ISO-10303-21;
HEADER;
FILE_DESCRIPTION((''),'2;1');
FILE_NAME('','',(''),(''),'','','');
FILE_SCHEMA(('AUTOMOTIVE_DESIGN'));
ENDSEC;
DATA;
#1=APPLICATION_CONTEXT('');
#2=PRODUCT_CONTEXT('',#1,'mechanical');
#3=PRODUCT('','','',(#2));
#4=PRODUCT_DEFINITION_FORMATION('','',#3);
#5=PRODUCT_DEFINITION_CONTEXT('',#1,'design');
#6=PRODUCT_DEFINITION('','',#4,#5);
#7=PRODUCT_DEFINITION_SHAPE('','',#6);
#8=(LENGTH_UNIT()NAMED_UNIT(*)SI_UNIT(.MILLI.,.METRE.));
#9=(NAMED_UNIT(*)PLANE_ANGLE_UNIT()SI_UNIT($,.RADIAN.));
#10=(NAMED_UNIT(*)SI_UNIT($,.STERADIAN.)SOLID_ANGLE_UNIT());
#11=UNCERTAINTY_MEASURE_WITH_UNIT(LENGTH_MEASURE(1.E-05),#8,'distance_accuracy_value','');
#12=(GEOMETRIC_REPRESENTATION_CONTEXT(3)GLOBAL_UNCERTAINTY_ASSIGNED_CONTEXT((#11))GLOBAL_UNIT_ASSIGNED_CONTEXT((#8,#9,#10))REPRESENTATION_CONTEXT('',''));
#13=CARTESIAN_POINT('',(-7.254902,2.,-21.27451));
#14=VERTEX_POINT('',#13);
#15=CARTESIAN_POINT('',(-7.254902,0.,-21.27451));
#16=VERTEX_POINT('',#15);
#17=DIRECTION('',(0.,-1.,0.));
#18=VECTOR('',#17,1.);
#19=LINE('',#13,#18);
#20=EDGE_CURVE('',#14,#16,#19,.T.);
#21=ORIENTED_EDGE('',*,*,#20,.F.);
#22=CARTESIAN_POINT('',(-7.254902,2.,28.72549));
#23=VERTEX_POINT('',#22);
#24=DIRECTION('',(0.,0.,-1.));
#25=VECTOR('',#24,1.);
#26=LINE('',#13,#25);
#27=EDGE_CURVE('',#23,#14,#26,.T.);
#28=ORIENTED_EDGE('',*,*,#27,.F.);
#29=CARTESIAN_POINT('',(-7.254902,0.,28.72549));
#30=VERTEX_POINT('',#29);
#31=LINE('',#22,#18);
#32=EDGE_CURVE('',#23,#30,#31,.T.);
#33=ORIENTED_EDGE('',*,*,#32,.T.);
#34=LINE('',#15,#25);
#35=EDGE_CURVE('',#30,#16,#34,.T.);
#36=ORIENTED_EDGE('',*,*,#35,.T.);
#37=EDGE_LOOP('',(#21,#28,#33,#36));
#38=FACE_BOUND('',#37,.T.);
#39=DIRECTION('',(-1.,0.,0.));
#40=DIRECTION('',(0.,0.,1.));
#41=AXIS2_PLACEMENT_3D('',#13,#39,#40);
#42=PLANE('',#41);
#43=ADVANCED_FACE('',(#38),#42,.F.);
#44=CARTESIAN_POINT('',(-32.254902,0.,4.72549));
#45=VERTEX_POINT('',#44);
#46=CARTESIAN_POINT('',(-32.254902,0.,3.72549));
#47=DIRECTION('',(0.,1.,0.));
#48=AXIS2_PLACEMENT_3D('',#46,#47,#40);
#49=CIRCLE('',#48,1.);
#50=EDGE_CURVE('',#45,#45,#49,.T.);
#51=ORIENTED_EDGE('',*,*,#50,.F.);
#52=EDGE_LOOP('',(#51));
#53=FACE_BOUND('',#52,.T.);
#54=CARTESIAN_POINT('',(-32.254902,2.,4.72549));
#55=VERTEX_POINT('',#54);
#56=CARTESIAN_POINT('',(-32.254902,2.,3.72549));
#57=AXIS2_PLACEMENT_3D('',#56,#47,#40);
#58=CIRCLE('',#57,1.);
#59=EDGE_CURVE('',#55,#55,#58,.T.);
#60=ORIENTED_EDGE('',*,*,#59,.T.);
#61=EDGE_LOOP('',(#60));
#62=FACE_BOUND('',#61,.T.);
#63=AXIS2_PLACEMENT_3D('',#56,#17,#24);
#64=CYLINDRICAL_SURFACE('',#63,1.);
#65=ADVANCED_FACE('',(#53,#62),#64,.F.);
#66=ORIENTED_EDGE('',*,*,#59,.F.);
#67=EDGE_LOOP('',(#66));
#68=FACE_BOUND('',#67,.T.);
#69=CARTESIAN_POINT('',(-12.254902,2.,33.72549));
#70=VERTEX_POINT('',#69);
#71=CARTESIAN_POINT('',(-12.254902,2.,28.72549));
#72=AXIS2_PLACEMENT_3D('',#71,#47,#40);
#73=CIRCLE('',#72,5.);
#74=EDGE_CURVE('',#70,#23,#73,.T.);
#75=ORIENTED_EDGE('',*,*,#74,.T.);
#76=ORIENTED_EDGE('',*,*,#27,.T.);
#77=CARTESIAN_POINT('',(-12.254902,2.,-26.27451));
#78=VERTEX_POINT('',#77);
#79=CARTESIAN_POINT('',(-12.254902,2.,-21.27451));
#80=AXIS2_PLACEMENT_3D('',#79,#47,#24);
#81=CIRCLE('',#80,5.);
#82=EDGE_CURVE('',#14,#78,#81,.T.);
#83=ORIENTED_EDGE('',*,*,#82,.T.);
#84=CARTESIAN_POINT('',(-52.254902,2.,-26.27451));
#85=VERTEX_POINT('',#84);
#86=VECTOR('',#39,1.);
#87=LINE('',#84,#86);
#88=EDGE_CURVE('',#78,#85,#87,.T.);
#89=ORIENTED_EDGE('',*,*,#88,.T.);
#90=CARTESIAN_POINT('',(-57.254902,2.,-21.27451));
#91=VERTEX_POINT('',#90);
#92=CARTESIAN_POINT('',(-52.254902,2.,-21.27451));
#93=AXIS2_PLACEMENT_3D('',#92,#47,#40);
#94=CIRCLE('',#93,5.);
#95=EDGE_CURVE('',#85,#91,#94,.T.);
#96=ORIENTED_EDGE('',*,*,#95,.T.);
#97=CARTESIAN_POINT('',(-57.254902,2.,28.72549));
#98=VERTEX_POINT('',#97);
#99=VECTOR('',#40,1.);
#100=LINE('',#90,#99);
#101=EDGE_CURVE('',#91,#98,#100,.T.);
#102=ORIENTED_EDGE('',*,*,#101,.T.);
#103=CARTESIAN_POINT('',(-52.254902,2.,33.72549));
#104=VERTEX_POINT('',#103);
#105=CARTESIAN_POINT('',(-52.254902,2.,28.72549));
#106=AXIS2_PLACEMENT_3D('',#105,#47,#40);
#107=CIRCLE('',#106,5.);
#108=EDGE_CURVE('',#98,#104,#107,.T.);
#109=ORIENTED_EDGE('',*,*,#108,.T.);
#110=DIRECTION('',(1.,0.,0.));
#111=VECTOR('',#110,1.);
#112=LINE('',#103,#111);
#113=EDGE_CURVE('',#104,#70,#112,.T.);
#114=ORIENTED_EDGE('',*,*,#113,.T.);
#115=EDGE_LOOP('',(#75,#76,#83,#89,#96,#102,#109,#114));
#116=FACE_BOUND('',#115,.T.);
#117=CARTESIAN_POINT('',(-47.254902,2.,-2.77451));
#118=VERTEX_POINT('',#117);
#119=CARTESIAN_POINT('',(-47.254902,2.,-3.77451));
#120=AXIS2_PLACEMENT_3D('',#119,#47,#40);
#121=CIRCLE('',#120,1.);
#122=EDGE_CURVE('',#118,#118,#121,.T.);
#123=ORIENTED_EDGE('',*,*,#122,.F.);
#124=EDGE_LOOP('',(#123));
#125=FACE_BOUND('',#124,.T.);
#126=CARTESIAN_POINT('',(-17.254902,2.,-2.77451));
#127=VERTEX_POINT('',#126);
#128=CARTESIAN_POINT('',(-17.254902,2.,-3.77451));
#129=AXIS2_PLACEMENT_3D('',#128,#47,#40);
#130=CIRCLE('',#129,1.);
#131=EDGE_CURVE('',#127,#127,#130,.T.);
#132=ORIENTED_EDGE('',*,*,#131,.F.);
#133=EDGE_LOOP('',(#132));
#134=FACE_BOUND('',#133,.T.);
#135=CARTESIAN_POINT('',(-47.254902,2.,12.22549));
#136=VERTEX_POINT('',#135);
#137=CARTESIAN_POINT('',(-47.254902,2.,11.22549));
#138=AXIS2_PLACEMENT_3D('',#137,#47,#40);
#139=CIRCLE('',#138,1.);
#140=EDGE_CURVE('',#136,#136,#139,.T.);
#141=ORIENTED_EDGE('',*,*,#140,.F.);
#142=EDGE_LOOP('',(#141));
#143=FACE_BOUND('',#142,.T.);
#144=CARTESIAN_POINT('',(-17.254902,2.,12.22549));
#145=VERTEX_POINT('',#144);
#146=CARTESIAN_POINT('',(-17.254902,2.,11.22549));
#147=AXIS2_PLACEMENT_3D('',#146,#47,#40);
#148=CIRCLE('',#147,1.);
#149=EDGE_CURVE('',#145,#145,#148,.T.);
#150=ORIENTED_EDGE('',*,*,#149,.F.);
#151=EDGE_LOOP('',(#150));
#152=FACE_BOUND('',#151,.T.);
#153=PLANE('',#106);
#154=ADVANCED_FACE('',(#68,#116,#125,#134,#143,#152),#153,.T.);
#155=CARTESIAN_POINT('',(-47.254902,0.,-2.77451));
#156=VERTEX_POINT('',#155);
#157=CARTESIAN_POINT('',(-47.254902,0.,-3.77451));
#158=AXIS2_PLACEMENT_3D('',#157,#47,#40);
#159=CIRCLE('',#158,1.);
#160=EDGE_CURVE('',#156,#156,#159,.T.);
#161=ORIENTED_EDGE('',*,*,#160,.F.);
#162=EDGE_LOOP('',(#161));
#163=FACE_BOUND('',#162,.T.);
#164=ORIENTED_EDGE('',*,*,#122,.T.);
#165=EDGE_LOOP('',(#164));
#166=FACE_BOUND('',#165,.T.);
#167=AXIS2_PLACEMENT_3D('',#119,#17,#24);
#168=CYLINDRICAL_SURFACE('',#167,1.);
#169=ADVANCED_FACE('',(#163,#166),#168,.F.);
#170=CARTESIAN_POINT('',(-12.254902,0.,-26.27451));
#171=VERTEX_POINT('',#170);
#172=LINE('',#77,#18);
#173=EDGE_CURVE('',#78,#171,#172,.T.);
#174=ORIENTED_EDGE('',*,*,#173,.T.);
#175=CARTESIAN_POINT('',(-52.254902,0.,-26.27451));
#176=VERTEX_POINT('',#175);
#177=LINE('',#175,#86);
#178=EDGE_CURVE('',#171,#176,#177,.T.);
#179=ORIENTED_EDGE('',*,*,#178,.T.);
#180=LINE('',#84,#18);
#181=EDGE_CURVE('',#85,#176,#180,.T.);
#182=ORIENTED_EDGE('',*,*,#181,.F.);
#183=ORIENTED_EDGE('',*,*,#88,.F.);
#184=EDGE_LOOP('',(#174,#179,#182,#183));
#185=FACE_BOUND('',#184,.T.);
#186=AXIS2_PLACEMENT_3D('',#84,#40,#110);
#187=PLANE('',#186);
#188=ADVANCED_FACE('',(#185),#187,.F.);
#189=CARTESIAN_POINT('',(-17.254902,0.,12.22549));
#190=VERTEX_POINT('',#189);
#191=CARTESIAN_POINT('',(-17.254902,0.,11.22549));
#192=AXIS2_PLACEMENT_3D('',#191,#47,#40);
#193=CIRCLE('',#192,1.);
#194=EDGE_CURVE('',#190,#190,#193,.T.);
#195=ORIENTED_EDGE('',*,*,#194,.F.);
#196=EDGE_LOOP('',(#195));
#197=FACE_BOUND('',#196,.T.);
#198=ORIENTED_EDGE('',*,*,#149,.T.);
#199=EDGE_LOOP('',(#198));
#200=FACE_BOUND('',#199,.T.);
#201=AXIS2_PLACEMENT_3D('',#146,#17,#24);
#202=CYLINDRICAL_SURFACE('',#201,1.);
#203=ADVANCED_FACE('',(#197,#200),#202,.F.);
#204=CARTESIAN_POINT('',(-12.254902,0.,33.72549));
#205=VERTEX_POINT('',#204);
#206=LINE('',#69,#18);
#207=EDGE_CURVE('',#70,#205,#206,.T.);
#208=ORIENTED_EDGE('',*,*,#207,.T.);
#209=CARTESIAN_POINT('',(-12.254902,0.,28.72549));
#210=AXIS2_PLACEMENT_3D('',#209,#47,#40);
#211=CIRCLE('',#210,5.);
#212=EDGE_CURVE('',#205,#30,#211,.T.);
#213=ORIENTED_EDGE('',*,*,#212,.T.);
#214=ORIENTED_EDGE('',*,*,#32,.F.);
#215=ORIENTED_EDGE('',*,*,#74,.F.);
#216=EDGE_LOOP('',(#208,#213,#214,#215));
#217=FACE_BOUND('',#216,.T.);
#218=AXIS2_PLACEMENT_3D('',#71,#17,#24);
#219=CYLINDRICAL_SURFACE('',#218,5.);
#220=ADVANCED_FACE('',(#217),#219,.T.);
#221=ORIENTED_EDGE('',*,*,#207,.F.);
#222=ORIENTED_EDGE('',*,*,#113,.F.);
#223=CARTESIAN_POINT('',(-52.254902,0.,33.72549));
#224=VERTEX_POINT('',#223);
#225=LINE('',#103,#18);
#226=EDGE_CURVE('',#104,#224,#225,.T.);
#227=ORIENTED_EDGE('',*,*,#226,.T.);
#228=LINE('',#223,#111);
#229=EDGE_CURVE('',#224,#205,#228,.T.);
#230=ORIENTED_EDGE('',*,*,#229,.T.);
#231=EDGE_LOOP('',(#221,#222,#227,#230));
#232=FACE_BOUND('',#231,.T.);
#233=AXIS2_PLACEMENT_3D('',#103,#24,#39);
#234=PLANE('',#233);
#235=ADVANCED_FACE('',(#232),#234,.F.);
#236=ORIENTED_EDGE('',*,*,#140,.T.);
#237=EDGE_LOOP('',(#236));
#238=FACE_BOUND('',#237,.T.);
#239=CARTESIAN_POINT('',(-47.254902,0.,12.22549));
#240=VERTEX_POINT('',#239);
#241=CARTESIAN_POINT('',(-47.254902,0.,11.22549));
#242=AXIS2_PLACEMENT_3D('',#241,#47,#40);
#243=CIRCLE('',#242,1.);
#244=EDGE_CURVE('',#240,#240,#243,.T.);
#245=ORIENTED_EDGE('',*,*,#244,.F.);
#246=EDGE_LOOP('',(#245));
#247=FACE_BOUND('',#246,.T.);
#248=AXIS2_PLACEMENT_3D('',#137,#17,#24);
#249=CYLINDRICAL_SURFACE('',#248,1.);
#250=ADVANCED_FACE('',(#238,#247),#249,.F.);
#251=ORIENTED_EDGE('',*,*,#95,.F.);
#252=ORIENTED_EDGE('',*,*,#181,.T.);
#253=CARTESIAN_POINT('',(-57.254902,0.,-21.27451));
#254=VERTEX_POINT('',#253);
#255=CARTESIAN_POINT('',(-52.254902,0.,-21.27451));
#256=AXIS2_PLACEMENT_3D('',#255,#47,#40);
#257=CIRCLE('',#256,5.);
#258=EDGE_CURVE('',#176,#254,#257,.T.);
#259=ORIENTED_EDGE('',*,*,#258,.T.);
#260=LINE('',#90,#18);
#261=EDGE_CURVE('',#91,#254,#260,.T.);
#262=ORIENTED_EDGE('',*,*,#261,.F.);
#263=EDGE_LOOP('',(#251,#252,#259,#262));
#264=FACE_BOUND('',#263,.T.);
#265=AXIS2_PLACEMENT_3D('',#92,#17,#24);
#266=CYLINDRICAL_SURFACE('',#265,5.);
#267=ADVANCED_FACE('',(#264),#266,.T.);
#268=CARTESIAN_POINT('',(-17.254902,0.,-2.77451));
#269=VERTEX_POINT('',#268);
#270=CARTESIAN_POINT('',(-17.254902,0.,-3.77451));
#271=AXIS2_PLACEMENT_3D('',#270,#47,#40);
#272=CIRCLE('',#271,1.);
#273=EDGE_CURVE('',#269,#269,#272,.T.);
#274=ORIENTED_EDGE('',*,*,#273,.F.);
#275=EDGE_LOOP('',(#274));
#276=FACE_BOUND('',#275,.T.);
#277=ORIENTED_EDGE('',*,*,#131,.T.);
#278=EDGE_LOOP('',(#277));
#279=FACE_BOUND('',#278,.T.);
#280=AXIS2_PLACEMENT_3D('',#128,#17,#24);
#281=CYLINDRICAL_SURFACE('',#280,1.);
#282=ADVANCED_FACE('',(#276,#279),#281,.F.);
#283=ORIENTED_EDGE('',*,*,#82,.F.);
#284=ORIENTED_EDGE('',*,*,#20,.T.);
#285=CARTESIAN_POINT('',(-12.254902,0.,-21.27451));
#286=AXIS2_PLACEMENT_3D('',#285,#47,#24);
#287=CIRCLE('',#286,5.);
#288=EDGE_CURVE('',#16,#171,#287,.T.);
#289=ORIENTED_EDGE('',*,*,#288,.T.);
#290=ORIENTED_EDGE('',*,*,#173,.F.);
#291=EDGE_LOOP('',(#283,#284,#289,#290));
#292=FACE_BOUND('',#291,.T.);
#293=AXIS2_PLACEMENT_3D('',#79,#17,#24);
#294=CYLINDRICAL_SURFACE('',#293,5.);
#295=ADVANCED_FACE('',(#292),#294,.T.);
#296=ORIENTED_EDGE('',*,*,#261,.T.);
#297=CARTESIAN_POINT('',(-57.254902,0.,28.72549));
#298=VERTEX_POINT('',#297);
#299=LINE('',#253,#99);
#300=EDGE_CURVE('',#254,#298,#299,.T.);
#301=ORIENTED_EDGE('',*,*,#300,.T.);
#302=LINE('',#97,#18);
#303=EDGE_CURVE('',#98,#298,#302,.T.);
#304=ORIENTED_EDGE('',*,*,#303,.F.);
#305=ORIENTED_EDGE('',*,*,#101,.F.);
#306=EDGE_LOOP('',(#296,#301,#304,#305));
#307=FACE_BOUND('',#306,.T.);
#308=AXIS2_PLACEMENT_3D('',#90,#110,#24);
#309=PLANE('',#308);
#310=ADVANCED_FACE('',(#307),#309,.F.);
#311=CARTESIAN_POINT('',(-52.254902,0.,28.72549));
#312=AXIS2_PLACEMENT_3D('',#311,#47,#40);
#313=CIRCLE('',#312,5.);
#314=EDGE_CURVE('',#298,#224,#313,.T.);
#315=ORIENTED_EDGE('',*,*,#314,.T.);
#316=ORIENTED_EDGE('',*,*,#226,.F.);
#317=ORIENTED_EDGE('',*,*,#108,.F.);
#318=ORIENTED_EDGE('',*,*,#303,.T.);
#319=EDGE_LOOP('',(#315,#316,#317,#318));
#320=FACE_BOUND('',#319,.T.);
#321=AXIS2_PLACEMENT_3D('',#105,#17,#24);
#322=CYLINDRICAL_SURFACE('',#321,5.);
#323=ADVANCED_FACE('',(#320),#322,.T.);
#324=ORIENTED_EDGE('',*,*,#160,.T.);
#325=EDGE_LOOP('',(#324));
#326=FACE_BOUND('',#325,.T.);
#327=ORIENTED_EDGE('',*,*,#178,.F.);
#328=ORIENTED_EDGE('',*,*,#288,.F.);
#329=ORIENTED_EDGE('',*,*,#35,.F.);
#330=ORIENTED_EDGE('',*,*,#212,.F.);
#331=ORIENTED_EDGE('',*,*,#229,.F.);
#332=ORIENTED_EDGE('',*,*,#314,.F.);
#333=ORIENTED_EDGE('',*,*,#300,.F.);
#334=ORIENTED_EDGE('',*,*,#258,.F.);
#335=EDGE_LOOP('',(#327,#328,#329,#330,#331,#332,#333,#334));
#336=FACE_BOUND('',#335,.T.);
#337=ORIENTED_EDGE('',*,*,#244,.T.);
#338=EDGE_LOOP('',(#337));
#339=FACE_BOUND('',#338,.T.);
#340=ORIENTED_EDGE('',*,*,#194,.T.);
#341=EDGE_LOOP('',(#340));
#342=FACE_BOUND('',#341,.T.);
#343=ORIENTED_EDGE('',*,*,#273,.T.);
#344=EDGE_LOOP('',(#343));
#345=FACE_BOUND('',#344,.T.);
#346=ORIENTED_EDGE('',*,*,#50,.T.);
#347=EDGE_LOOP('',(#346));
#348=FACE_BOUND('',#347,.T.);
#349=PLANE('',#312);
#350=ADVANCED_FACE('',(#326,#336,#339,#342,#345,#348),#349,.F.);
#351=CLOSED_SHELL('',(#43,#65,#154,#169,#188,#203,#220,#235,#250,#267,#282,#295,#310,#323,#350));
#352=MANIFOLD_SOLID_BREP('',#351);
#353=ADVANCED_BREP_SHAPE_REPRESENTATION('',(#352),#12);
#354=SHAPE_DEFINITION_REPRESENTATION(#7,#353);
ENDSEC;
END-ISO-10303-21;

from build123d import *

# Parameters (mm, degrees)
SKETCH1_R           = 1
BOSS_EXTRUDE1_DEPTH = 2


with BuildPart() as part:
    # Sketch1 → Boss-Extrude1 (new body)
    with BuildSketch(Plane(origin=(0, 0, 0), x_dir=(1, 0, 0), z_dir=(0, 1, 0))):
        with BuildLine():
            Line((-52.254901961, 26.274509804), (-12.254901961, 26.274509804))
            ThreePointArc((-12.254901961, 26.274509804), (-8.719368055, 24.81004371), (-7.254901961, 21.274509804))
            Line((-7.254901961, 21.274509804), (-7.254901961, -28.725490196))
            ThreePointArc((-7.254901961, -28.725490196), (-8.719368055, -32.261024102), (-12.254901961, -33.725490196))
            Line((-12.254901961, -33.725490196), (-52.254901961, -33.725490196))
            ThreePointArc((-52.254901961, -33.725490196), (-55.790435867, -32.261024102), (-57.254901961, -28.725490196))
            Line((-57.254901961, -28.725490196), (-57.254901961, 21.274509804))
            ThreePointArc((-57.254901961, 21.274509804), (-55.790435867, 24.81004371), (-52.254901961, 26.274509804))
        make_face()
        with Locations(Location((-32.254901961, -3.725490196, 0), (0, 0, 270))):
            Circle(SKETCH1_R, mode=Mode.SUBTRACT)
        with Locations(Location((-47.254901961, 3.774509804, 0), (0, 0, 270))):
            Circle(SKETCH1_R, mode=Mode.SUBTRACT)
        with Locations(Location((-47.254901961, -11.225490196, 0), (0, 0, 270))):
            Circle(SKETCH1_R, mode=Mode.SUBTRACT)
        with Locations(Location((-17.254901961, 3.774509804, 0), (0, 0, 270))):
            Circle(SKETCH1_R, mode=Mode.SUBTRACT)
        with Locations(Location((-17.254901961, -11.225490196, 0), (0, 0, 270))):
            Circle(SKETCH1_R, mode=Mode.SUBTRACT)
    extrude(amount=BOSS_EXTRUDE1_DEPTH)


solid = part.part
